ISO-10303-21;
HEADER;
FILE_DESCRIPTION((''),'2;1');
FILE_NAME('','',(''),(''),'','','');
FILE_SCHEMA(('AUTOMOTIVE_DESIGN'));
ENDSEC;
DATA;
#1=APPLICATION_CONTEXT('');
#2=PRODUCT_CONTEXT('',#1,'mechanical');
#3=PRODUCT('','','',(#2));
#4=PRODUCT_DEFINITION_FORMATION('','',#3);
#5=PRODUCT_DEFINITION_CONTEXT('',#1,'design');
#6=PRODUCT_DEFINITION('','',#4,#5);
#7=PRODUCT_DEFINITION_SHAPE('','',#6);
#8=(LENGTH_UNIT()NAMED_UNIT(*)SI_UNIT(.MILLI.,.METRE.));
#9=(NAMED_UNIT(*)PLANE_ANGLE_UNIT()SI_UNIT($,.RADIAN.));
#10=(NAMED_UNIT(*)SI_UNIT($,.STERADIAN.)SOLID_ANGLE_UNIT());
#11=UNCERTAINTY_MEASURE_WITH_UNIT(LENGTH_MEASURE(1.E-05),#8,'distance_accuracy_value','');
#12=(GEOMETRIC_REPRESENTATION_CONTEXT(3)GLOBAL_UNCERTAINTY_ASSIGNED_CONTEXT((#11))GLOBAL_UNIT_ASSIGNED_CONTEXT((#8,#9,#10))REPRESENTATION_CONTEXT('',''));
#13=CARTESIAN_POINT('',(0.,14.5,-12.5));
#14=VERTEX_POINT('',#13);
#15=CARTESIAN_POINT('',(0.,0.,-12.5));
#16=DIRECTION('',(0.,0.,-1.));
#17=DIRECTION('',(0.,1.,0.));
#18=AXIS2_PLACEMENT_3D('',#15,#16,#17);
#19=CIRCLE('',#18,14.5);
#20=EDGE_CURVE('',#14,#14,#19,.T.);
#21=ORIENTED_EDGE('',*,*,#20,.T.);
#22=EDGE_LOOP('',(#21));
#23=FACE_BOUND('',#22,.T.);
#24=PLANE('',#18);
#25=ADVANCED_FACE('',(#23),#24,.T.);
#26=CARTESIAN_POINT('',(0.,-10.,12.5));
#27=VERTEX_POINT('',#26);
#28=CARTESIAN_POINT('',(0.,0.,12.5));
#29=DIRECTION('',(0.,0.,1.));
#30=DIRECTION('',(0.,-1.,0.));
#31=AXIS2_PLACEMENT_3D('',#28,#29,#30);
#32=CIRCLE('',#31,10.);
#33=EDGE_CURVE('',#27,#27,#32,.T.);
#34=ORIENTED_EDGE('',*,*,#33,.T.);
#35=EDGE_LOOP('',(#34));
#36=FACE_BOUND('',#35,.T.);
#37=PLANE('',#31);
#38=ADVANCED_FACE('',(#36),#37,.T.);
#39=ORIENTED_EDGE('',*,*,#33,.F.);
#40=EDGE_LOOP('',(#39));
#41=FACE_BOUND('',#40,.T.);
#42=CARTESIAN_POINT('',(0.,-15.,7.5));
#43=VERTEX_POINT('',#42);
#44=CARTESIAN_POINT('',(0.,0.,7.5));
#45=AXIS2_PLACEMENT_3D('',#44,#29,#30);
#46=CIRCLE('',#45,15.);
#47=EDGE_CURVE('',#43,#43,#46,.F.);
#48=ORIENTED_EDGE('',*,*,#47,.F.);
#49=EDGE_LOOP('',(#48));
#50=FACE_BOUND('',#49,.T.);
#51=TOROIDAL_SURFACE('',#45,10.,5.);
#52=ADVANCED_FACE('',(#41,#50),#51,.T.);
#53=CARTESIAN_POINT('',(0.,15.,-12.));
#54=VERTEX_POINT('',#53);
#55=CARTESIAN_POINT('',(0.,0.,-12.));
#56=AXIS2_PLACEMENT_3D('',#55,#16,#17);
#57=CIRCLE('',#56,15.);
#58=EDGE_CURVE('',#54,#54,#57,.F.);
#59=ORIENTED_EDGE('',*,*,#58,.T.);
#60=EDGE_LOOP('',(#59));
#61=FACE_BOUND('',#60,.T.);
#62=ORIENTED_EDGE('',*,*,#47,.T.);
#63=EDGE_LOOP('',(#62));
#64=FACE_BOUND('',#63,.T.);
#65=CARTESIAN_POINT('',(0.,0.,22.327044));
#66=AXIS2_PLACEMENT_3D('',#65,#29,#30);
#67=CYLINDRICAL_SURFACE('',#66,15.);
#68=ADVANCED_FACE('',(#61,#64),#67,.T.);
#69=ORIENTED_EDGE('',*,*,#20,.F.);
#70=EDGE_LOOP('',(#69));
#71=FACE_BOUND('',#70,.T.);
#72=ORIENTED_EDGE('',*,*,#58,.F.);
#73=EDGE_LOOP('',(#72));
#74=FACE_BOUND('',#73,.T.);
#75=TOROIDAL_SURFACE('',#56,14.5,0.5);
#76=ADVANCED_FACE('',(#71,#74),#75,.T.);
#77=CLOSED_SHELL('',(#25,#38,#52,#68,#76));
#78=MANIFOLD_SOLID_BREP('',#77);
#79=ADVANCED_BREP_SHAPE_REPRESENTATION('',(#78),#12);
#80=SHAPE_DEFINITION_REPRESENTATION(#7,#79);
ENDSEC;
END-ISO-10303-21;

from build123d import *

# Parameters (mm, degrees)
SKETCH1_W = 15
SKETCH1_H = 25
FILLET1_R = 5
FILLET2_R = 0.5


with BuildPart() as part:
    # Sketch1 → Revolve1 (revolve)
    with BuildSketch(Plane.YZ, mode=Mode.PRIVATE) as revolve1_sk:
        with Locations((7.5, 0)):
            Rectangle(SKETCH1_W, SKETCH1_H)
    revolve(revolve1_sk.sketch.rotate(Axis((0, 0, 22.327044025), (0, 0, -1)), 180), axis=Axis((0, 0, 22.327044025), (0, 0, -1)))

    # Fillet1
    fillet1_edges = [part.edges().sort_by_distance(p)[0] for p in [
        (0, 15, 12.5),
    ]]
    fillet(fillet1_edges, radius=FILLET1_R)

    # Fillet2
    fillet2_edges = [part.edges().sort_by_distance(p)[0] for p in [
        (0, 15, -12.5),
    ]]
    fillet(fillet2_edges, radius=FILLET2_R)


solid = part.part
